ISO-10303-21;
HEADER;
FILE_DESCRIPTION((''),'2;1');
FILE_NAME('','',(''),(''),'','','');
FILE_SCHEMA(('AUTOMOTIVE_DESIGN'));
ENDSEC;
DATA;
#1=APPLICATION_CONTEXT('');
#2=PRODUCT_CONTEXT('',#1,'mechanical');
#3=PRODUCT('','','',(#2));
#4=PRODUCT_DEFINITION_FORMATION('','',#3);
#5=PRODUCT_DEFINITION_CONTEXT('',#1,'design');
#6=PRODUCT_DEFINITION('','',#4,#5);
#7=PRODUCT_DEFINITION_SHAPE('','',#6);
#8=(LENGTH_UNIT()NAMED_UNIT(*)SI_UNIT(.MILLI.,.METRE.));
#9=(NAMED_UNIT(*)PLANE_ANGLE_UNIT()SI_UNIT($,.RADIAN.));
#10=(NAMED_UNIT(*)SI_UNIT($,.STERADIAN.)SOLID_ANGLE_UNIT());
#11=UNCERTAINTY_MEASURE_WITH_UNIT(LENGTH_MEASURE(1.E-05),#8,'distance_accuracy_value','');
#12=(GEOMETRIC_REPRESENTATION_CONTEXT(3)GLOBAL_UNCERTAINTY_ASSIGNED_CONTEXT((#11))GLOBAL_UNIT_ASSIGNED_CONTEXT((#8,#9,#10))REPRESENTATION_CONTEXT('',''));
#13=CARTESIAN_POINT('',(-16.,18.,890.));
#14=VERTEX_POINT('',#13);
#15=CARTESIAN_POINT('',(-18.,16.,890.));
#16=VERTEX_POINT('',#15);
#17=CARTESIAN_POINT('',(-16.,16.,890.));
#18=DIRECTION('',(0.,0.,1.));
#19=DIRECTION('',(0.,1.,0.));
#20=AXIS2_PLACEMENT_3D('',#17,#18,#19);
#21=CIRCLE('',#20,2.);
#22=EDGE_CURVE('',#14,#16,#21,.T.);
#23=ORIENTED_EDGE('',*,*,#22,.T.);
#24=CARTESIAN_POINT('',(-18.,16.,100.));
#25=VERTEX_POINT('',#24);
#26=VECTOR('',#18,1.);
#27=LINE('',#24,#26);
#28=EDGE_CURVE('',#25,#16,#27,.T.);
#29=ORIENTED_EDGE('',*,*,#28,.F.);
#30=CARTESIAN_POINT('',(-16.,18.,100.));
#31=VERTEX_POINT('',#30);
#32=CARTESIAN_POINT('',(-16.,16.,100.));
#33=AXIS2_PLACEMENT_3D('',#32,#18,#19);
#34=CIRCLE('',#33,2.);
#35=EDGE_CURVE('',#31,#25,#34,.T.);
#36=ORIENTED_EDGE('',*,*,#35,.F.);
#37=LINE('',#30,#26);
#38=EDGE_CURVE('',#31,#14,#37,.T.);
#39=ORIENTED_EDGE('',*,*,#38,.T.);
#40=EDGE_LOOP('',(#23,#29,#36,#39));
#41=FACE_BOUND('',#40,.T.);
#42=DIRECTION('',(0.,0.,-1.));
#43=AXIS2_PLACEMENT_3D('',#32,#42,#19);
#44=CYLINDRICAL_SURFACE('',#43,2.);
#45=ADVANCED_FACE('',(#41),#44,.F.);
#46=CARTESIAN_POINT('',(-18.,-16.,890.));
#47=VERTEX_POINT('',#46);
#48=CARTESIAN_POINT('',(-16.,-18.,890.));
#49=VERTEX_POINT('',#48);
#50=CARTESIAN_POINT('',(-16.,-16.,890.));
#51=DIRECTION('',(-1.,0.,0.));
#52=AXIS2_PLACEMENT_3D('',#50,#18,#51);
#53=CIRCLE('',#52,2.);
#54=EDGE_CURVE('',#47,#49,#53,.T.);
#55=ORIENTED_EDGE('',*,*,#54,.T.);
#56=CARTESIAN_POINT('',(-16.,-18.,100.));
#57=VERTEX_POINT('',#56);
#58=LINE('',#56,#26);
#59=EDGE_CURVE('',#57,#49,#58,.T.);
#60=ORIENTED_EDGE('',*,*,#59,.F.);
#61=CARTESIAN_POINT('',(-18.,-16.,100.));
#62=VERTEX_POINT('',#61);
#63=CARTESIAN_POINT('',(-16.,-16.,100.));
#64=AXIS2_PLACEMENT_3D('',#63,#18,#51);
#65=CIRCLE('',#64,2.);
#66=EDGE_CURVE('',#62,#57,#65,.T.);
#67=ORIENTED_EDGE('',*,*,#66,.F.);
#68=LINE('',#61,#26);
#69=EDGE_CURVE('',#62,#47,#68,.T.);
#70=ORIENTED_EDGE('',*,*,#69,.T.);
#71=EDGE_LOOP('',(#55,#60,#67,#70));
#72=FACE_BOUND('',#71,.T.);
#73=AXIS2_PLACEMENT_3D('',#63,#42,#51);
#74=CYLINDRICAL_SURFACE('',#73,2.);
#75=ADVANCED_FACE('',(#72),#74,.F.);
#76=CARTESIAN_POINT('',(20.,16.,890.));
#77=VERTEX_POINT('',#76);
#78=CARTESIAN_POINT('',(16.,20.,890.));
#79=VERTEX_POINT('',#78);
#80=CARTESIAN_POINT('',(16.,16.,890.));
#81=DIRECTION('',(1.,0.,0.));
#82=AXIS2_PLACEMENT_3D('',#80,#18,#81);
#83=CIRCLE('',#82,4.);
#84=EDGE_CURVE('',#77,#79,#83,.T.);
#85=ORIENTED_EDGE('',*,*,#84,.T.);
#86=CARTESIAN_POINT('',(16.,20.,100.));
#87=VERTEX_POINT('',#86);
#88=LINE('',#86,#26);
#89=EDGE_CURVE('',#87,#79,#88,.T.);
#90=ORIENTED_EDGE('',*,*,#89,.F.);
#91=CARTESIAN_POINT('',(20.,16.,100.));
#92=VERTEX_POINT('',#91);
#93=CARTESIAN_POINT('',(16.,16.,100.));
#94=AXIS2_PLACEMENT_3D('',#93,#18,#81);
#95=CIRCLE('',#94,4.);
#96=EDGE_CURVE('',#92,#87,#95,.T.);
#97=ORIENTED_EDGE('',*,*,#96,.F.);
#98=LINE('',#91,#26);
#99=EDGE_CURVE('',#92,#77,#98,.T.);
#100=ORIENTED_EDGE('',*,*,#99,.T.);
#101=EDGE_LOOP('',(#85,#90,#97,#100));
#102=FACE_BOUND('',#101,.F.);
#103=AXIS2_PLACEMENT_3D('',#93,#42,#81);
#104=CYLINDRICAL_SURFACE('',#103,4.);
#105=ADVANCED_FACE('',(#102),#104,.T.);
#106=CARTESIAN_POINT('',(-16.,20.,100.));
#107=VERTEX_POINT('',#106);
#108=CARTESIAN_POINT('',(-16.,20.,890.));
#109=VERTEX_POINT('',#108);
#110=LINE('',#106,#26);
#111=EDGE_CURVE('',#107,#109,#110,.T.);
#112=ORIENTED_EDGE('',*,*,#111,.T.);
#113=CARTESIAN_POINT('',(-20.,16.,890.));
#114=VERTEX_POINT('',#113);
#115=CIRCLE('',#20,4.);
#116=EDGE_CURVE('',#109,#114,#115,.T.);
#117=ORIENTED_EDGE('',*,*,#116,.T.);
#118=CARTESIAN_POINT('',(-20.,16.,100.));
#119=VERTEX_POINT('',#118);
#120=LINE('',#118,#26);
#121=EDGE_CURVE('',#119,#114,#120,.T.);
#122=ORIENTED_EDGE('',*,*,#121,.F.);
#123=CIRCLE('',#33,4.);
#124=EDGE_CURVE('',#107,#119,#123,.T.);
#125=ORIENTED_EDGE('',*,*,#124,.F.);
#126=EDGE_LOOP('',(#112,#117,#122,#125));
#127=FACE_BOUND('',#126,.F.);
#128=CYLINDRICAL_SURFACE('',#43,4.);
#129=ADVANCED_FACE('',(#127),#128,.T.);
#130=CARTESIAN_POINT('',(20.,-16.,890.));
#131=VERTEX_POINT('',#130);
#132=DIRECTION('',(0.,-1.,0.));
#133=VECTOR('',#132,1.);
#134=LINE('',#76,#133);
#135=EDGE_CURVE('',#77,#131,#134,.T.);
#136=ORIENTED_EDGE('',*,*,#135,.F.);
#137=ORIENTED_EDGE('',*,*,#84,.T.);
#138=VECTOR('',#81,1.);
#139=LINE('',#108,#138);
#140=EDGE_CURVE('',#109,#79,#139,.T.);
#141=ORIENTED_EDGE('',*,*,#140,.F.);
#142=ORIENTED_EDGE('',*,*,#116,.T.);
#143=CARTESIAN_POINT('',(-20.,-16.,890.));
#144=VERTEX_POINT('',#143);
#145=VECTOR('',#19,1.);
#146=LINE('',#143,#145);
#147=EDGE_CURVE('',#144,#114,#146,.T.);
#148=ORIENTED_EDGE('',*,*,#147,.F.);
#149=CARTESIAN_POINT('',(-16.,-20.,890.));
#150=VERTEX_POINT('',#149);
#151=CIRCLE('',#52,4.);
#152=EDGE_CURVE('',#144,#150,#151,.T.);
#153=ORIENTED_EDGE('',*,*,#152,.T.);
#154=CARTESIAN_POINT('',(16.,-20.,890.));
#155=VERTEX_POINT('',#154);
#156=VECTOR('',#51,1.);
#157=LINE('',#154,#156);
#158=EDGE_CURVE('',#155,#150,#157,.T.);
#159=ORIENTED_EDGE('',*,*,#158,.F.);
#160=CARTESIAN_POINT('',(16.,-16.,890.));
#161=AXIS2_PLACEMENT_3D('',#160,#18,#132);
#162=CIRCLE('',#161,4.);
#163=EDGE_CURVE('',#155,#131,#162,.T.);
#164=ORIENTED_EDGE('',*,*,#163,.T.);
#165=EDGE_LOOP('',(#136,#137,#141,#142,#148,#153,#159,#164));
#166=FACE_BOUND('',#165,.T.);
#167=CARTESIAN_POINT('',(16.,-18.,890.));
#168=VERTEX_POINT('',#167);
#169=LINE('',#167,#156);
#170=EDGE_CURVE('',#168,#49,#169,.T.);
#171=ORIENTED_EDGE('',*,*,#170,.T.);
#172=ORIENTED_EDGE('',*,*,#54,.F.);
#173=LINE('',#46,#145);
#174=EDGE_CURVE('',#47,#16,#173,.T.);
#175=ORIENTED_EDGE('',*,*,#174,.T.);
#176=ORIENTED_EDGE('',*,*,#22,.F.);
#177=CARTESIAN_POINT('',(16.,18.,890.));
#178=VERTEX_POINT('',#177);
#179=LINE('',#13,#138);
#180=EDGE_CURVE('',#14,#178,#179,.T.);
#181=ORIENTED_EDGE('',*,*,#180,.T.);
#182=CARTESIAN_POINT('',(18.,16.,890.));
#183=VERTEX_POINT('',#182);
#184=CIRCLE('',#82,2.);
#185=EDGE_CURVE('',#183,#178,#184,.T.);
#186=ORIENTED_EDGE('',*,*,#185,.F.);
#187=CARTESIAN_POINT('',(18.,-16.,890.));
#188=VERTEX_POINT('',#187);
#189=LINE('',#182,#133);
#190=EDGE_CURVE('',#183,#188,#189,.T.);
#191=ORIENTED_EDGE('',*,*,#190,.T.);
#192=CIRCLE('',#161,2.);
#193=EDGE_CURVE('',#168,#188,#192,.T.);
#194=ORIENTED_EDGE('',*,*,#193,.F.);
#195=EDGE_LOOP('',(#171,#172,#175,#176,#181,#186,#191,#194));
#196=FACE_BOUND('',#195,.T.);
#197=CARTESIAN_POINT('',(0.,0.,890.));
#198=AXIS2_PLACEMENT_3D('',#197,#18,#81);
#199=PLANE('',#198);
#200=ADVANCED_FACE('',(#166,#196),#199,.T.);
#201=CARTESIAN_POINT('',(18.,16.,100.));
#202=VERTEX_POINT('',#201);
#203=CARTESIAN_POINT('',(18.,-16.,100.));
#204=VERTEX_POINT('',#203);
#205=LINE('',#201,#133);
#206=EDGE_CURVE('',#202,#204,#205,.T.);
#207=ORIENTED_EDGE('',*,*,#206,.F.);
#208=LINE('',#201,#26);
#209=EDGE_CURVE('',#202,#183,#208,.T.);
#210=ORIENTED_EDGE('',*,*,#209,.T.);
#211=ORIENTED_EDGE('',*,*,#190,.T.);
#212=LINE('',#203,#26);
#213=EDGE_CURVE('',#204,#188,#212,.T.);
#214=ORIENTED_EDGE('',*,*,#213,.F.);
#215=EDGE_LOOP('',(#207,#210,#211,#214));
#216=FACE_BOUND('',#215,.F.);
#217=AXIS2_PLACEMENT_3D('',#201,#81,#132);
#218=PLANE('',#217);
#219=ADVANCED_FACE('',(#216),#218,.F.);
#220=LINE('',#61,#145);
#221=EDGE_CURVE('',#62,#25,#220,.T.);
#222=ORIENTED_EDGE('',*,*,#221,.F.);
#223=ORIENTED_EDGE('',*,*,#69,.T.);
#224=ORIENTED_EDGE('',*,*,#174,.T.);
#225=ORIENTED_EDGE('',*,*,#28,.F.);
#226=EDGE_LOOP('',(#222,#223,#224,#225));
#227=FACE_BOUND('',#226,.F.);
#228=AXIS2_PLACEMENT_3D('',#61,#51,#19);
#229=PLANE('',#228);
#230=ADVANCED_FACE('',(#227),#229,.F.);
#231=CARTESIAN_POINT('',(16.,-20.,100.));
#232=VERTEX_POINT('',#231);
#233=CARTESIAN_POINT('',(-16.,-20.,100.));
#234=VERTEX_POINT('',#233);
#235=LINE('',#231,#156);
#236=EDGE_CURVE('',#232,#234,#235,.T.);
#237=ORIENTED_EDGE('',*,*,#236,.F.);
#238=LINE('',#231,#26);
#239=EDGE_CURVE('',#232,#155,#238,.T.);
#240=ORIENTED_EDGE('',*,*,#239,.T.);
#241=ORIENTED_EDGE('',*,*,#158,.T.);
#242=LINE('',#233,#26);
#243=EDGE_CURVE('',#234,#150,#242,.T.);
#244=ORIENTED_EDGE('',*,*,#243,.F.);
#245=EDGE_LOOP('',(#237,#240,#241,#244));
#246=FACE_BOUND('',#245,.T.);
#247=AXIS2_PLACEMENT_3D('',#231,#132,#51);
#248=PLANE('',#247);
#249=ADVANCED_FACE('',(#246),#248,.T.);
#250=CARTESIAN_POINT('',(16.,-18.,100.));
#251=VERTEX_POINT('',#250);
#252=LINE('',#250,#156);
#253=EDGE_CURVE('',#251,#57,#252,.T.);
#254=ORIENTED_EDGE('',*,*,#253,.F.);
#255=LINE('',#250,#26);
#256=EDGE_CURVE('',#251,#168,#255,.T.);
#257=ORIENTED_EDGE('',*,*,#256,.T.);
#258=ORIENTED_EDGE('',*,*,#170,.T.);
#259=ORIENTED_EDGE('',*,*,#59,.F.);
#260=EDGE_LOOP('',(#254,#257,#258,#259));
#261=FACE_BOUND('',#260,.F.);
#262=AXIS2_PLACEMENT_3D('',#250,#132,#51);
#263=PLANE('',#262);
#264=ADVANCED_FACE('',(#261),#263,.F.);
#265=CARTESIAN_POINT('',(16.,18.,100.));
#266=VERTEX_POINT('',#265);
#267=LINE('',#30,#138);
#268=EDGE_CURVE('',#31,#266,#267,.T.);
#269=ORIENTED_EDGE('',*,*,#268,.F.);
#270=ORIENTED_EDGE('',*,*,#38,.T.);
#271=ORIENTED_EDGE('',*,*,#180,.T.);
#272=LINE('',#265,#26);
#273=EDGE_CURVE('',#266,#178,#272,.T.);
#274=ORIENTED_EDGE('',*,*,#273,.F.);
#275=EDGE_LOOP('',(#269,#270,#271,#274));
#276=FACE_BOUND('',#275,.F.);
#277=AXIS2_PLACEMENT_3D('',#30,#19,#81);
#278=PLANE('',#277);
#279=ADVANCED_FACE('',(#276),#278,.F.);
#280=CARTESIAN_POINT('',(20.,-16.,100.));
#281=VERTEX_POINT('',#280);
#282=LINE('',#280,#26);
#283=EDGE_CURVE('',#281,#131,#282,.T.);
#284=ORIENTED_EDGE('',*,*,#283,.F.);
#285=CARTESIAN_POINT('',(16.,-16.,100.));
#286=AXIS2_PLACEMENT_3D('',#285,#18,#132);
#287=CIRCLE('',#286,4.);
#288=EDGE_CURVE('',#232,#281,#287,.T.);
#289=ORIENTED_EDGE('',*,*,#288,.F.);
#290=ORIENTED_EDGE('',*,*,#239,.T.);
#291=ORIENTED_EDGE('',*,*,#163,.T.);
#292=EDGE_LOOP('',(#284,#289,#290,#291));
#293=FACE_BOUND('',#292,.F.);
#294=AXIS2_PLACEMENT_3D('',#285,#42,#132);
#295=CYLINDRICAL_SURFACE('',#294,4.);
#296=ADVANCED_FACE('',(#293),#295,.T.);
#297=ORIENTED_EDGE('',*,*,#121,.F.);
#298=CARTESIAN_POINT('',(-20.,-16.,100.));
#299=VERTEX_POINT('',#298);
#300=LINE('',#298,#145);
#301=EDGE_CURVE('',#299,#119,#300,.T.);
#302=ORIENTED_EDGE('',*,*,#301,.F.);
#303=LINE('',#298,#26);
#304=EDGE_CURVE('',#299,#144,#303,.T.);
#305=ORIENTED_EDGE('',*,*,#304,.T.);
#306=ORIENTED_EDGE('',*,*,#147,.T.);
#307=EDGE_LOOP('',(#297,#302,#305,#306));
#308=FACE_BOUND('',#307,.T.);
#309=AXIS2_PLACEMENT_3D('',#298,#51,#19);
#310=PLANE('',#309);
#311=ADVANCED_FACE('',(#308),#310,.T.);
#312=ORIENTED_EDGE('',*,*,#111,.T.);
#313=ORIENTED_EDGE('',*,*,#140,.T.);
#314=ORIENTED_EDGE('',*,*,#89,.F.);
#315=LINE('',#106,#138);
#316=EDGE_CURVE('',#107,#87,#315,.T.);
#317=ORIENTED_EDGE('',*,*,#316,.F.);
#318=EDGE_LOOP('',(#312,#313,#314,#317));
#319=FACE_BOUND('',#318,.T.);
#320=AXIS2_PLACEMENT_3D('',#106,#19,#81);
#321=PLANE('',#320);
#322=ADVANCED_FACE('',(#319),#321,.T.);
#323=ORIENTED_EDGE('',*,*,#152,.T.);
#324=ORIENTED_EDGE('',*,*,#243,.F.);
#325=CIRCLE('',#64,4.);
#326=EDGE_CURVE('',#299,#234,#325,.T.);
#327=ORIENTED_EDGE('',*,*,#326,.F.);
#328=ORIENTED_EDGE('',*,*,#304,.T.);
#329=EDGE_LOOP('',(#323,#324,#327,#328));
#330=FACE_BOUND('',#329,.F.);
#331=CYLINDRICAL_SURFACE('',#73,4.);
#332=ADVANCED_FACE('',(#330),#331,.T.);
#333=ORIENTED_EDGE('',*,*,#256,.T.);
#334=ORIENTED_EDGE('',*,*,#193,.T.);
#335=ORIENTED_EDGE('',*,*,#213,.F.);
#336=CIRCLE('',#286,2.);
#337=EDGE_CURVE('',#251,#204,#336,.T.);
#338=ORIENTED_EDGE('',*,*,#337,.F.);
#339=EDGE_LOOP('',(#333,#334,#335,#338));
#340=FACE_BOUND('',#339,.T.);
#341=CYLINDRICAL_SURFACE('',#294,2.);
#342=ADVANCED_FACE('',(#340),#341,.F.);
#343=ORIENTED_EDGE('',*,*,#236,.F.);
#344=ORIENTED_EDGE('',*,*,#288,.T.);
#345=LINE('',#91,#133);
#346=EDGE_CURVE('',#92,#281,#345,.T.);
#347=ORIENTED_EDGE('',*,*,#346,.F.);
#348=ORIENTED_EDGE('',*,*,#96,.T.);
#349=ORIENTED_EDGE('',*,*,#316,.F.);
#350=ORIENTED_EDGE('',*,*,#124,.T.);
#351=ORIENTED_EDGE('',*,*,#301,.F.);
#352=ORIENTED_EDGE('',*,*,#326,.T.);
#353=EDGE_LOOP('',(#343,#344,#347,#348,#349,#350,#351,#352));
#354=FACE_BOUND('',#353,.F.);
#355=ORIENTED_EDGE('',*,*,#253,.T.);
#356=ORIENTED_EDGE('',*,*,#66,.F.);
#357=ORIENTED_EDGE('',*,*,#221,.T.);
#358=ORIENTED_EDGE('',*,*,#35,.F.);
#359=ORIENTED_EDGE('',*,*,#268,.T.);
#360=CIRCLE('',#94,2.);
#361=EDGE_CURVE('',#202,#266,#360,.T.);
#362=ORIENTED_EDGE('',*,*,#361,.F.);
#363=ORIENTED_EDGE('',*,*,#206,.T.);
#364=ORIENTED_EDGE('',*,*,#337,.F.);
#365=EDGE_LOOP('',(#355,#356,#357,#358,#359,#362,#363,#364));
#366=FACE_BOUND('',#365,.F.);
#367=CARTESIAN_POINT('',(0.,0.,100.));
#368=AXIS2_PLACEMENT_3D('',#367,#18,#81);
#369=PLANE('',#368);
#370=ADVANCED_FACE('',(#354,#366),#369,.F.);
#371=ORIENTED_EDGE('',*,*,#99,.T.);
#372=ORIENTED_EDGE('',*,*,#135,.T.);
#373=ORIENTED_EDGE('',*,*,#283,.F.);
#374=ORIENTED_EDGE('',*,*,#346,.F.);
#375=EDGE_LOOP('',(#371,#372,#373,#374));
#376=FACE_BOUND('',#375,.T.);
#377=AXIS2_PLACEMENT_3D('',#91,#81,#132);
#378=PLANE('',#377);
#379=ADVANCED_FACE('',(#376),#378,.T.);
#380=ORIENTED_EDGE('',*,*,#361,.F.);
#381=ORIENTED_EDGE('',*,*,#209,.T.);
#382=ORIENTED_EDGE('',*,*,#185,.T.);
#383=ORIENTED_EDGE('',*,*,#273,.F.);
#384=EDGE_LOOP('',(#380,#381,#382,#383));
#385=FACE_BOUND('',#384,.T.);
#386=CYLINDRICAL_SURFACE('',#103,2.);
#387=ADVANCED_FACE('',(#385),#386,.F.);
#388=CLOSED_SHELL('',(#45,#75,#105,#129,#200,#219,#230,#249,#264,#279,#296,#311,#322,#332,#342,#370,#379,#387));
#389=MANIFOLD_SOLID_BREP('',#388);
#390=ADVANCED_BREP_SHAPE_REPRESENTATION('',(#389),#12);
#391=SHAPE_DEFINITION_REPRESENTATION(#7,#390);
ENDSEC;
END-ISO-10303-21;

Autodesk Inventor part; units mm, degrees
ref_plane "YZ Plane" through (0, 0, 0) normal (1, 0, 0) x (0, 1, 0)
ref_plane "Start Plane" through (0, 0, 100) normal (0, 0, 1) x (1, 0, 0)
ref_plane "End Plane" through (0, 0, 890) normal (0, 0, 1) x (1, 0, 0)
sketch "Sketch" plane through (0, 0, 0) normal (0, 0, 1) x (1, 0, 0)
  line L0 (-20, -16) -> (-20, 16)
  line L1 (-16, 20) -> (16, 20)
  line L2 (20, 16) -> (20, -16)
  line L3 (16, -20) -> (-16, -20)
  arc A0 (-20, -16) -> (-16, -20) centre (-16, -16) ccw
  arc A1 (20, 16) -> (16, 20) centre (16, 16) ccw
  arc A2 (-16, 20) -> (-20, 16) centre (-16, 16) ccw
  arc A3 (16, -20) -> (20, -16) centre (16, -16) ccw
  arc A4 (-16, 18) -> (-18, 16) centre (-16, 16) ccw
  line L4 (-16, 18) -> (16, 18)
  arc A5 (18, 16) -> (16, 18) centre (16, 16) ccw
  line L5 (18, 16) -> (18, -16)
  arc A6 (16, -18) -> (18, -16) centre (16, -16) ccw
  line L6 (16, -18) -> (-16, -18)
  arc A7 (-18, -16) -> (-16, -18) centre (-16, -16) ccw
  line L7 (-18, -16) -> (-18, 16)
  line L8 (0, 29.1598) -> (0, -29.1598) construction
  line L9 (-29.1598, 0) -> (29.1598, 0) construction
  dimension "d7" = 4
  dimension "d9" = 40
  dimension "d11" = 40
  dimension "d12" = 2
  dimension "d15" = 20
  dimension "d16" = 20
extrude "Body" add sketch "Sketch" along normal up to surface (790 mm away) from surface at 100
sketch "Sketch3" plane through (0, 0, 0) normal (0, 0, 1) x (1, 0, 0)
  line L0 (0, 0) -> (10, 0)
ref_plane "Work Plane3" through (0, 0, 0) normal (0, -1, 0) x (1, 0, 0)
sketch "Sketch4" plane through (0, 0, 0) normal (0, -1, 0) x (1, 0, 0)
  line L0 (-2, 100) -> (12, 100) projected
  line L1 (-2, 890) -> (12, 890) projected
  dimension "d18" = 790
equation "\"d7\" = G_IR"
equation "\"d9\" = G_W"
equation "\"d11\" = G_H"
equation "\"d12\" = G_T"
equation "\"d15\" = 0.5 * d9"
equation "\"d16\" = 0.5 * d11"
equation "\"d3\" = G_L"
equation "\"G_W\" = 40"
equation "\"G_H\" = 40"
equation "\"G_T\" = 2"
equation "\"G_IR\" = 4"
equation "\"G_L\" = d18"
properties part number "ISO 10799-2 - 40x40x2 - 790" material "Steel, Mild"
